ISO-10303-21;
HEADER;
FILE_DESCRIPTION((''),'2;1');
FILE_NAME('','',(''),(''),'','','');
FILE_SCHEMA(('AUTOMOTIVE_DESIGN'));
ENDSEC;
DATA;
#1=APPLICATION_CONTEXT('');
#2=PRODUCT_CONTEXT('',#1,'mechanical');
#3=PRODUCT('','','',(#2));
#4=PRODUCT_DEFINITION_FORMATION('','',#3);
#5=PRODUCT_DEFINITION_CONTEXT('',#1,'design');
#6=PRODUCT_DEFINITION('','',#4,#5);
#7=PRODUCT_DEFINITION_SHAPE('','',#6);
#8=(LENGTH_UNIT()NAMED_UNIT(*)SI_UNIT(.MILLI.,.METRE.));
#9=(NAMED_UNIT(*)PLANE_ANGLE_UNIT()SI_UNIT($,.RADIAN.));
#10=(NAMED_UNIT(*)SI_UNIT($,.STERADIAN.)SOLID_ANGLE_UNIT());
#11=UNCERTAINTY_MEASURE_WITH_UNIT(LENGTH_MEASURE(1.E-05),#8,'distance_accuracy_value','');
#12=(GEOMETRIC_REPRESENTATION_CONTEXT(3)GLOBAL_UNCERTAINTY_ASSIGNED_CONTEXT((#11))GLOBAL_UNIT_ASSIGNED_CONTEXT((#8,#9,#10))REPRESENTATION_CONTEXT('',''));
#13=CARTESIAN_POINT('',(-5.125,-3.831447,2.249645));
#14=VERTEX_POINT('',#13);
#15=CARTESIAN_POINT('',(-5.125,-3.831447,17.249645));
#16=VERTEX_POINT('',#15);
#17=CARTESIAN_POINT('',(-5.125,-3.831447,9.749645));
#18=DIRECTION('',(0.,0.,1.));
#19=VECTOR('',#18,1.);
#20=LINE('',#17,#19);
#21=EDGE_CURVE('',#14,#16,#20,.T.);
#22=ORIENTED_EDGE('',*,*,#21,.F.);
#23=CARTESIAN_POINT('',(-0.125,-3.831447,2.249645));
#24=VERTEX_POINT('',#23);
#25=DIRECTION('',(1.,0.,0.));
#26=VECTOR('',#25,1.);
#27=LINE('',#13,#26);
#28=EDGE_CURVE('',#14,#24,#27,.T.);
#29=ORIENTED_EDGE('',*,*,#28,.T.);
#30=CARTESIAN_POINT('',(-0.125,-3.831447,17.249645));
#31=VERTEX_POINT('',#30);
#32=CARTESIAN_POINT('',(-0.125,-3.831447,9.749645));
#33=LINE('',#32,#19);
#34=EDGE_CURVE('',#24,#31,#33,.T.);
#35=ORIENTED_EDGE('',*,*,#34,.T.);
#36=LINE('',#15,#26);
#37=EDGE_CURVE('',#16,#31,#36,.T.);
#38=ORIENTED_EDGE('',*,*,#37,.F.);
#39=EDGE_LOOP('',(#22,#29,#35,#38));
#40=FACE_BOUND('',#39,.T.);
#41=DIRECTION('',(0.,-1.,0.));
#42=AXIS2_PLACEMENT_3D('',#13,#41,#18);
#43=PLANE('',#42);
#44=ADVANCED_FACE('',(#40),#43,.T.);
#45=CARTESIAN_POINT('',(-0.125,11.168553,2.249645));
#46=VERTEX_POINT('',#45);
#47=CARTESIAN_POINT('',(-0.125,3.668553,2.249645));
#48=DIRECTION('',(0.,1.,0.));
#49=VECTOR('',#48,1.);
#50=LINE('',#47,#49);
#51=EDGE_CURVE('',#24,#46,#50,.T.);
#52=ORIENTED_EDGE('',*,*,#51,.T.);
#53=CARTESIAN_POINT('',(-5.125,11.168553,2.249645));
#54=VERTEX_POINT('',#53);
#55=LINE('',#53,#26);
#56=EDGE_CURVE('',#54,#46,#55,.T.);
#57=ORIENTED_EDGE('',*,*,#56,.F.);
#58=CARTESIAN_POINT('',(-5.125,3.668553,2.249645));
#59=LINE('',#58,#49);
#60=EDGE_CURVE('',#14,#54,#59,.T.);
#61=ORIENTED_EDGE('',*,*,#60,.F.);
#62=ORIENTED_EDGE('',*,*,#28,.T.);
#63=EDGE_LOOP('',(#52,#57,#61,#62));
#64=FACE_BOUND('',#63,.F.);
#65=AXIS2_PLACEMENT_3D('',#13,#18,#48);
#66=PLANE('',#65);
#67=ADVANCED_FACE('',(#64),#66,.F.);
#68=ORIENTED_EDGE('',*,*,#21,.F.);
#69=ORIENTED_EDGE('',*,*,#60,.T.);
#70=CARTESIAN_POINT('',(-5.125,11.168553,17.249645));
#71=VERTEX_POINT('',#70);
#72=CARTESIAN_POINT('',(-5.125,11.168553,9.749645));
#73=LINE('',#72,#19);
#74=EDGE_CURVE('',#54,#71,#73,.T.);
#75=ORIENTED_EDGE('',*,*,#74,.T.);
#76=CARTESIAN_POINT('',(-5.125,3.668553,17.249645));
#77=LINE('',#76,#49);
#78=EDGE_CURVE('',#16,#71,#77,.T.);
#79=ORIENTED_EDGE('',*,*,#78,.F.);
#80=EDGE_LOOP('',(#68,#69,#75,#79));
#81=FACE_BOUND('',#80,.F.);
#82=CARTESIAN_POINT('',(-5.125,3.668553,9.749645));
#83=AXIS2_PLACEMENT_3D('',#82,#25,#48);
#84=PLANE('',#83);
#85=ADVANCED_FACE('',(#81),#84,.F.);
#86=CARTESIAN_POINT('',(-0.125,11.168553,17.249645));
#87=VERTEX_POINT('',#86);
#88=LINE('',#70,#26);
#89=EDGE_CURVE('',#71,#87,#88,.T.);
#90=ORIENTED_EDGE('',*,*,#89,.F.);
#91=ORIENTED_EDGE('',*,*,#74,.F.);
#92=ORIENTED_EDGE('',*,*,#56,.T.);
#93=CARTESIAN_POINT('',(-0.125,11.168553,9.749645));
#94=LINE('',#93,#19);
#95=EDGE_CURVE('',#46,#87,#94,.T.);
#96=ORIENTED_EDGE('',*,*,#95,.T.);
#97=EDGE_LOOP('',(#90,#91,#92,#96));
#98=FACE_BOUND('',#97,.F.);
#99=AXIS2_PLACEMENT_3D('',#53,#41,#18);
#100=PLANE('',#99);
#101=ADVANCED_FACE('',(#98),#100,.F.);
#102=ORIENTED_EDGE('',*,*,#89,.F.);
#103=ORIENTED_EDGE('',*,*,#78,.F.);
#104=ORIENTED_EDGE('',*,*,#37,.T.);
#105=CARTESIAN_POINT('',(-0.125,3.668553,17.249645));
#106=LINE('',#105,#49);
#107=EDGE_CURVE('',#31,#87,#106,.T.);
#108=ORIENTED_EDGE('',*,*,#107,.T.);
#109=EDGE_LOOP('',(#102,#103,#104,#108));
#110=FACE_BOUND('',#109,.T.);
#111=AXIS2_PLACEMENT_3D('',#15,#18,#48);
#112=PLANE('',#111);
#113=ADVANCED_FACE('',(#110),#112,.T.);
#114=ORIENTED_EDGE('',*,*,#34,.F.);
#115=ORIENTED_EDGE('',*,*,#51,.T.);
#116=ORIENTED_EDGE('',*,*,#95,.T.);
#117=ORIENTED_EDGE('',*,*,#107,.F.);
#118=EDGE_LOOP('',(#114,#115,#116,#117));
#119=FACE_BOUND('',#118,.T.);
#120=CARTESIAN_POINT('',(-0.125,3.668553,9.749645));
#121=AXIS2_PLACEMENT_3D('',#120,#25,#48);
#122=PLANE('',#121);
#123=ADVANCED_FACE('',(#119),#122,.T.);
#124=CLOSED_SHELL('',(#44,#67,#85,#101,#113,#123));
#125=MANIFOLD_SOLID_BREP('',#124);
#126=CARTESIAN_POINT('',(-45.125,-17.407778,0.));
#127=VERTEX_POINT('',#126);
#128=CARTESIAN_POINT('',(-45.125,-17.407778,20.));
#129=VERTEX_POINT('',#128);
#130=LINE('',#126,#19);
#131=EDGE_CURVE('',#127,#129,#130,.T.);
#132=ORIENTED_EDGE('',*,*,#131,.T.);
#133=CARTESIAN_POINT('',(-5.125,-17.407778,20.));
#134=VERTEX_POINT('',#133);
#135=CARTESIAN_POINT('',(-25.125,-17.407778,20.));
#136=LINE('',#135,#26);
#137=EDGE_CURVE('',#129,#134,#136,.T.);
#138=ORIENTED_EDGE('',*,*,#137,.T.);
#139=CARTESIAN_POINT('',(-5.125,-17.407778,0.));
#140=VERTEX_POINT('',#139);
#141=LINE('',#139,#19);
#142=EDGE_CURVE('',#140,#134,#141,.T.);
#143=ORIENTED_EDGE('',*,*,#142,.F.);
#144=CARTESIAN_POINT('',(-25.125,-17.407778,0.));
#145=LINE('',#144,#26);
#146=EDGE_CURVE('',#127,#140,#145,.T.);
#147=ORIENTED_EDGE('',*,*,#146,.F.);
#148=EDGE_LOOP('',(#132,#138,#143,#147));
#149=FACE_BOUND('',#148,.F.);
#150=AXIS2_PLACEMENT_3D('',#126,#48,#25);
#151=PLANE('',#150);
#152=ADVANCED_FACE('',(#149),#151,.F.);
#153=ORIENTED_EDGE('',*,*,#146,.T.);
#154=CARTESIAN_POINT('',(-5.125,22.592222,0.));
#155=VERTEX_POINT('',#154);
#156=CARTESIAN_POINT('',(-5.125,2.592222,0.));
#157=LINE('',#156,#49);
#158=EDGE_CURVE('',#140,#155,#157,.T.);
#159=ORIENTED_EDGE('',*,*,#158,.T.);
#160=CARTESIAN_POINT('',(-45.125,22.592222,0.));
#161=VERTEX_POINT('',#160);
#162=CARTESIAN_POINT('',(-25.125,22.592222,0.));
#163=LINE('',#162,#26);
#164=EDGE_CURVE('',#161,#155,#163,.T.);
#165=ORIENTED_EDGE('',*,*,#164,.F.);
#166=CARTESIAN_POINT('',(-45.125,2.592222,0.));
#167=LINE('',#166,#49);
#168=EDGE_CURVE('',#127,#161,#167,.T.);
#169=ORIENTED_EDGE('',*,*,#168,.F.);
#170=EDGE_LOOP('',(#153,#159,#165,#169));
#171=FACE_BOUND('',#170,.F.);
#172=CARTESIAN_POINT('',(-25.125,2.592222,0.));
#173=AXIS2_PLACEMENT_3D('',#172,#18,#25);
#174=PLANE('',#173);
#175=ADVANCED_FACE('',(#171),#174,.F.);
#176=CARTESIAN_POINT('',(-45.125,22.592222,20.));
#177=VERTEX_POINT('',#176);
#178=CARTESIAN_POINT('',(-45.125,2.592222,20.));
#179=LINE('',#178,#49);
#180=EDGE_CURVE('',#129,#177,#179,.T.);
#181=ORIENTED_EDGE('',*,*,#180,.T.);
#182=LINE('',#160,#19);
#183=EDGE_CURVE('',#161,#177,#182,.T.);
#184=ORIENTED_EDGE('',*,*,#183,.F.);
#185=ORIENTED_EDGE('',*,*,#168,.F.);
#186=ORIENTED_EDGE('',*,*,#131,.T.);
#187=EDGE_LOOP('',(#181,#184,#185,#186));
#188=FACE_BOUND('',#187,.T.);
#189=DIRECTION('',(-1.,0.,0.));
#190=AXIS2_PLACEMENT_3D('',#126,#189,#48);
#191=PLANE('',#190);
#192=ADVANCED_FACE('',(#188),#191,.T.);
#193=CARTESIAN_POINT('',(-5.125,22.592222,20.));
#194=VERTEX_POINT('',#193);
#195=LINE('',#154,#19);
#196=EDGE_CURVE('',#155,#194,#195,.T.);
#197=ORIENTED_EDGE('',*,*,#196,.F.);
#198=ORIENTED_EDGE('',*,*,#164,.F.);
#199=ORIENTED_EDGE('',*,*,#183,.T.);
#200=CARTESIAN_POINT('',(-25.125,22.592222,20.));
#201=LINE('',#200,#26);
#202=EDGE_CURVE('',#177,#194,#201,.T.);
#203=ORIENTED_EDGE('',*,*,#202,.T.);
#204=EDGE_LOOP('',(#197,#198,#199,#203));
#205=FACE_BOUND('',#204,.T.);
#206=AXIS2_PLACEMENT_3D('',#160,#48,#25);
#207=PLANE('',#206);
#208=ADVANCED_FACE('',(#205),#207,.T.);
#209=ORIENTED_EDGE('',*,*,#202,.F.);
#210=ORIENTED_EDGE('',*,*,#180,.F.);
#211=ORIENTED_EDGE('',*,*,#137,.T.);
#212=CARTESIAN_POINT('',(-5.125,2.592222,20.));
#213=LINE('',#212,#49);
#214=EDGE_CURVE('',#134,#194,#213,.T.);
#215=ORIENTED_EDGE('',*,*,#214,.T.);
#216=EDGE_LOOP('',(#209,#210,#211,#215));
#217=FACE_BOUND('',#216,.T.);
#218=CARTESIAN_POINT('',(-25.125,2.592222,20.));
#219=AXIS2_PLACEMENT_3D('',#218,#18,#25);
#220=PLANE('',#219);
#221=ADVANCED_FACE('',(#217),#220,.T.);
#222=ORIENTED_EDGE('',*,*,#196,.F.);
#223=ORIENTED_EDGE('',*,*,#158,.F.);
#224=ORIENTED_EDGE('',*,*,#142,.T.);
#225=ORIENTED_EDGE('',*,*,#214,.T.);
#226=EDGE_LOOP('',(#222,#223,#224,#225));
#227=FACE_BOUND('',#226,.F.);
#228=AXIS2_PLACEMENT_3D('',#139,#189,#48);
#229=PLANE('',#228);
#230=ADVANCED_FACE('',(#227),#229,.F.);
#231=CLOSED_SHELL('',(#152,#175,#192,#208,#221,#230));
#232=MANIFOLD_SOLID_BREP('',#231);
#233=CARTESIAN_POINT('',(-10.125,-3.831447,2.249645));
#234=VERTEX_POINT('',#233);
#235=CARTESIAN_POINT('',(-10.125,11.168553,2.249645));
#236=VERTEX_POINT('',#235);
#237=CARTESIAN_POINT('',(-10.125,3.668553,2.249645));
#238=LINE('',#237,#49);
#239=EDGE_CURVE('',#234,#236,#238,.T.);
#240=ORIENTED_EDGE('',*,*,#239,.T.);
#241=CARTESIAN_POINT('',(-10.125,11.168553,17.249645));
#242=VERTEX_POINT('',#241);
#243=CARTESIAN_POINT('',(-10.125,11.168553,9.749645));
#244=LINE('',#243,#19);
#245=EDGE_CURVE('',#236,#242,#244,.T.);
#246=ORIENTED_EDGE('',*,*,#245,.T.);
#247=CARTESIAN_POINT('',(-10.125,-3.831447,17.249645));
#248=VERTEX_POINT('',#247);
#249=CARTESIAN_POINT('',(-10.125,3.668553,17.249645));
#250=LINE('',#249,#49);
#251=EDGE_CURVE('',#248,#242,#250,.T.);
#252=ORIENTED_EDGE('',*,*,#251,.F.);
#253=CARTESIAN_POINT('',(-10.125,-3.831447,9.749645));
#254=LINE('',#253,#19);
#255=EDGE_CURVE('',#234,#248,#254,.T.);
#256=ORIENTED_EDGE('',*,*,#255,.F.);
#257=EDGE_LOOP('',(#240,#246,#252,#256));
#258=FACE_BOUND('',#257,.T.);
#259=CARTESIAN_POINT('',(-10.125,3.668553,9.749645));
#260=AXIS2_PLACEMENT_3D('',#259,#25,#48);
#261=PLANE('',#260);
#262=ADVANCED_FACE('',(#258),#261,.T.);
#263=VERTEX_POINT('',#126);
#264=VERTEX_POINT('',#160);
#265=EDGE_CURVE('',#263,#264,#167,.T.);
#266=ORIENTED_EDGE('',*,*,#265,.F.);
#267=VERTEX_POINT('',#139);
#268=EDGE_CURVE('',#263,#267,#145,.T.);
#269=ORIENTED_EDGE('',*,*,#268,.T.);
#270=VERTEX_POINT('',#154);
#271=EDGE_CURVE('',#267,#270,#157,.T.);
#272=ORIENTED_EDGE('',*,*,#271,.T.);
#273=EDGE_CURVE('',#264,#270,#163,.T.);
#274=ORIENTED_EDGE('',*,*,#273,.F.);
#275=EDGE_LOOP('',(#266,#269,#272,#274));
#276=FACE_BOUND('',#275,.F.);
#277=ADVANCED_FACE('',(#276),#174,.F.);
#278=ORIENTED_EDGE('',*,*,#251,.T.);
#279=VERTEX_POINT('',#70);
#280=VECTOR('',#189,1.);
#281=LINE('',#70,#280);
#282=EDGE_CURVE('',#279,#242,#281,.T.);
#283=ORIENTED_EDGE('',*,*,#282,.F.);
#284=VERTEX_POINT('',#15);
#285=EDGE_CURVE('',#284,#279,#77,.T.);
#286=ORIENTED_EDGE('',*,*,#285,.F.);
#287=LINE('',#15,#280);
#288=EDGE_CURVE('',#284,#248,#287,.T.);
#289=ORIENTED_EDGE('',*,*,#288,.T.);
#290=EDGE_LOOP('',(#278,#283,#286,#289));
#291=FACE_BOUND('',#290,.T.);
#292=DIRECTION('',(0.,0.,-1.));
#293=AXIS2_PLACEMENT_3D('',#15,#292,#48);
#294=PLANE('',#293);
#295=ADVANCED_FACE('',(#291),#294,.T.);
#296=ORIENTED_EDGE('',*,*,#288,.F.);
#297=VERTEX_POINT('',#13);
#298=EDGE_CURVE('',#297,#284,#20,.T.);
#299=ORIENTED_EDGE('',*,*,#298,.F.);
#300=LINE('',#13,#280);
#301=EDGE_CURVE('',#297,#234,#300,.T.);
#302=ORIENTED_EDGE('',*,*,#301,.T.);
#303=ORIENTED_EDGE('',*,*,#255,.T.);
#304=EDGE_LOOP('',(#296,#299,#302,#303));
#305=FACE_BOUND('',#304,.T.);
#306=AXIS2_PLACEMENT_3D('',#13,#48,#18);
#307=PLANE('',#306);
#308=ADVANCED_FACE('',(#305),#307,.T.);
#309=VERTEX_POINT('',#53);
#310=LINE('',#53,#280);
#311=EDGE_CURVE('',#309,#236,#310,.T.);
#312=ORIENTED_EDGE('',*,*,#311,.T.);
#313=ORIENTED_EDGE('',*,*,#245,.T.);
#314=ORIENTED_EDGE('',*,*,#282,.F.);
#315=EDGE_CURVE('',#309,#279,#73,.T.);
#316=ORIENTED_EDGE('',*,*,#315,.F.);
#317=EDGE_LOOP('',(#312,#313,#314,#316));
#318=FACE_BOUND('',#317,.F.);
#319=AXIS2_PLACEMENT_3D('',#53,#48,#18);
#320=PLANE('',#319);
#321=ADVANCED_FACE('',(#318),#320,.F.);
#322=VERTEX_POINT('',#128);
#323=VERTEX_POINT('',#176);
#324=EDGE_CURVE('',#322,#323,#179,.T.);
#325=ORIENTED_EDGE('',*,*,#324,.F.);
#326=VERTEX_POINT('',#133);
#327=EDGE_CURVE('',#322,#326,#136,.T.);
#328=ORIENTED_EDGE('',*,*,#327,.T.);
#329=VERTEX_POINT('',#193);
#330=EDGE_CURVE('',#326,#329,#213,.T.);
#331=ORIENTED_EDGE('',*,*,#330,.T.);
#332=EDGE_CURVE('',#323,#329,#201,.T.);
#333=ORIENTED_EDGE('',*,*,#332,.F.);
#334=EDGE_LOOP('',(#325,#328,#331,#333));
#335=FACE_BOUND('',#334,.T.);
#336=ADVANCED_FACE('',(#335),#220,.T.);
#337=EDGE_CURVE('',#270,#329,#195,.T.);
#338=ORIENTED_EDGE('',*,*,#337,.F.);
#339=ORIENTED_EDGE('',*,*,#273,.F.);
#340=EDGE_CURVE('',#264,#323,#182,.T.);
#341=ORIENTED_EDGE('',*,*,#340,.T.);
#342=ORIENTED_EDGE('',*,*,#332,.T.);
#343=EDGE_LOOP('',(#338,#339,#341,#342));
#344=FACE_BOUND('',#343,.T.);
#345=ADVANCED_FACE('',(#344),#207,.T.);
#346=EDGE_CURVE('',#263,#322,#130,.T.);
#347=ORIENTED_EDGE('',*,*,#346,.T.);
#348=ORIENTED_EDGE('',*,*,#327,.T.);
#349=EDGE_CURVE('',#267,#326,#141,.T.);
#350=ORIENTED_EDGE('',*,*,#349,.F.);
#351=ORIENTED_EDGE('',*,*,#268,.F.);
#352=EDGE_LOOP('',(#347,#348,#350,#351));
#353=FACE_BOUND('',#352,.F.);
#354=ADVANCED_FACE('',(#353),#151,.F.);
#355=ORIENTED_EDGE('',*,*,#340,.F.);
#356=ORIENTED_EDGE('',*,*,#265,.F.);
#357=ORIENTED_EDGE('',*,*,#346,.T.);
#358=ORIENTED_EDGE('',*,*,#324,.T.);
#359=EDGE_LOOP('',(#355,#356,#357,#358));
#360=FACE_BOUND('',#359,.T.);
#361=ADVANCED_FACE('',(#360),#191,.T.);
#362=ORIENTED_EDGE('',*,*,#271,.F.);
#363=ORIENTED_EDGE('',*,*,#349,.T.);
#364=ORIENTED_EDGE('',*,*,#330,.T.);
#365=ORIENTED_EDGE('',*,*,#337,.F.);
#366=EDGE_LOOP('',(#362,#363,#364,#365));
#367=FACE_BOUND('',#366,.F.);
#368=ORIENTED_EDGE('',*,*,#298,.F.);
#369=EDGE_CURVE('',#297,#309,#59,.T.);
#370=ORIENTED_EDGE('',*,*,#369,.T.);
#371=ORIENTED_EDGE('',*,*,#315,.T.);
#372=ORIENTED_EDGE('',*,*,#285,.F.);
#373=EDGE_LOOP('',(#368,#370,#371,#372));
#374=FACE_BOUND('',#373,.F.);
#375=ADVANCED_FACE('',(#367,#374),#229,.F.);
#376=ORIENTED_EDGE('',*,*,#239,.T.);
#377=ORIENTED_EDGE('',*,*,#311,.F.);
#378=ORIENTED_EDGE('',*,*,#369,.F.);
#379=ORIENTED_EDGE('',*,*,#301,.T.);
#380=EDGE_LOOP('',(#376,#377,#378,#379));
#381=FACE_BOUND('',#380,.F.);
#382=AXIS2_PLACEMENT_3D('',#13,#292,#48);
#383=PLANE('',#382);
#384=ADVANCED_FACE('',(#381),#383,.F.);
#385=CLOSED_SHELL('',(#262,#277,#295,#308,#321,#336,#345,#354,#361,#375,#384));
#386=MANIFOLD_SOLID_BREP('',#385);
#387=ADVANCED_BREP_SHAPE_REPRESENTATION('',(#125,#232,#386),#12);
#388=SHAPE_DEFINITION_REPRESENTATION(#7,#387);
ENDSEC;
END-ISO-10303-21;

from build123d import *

# Parameters (mm, degrees)
F0_W     = 40
F0_H     = 40
F1_DEPTH = 20
F2_W     = 15
F2_H     = 15
F4_DEPTH = 5
F7_DEPTH = 5


with BuildPart() as f1:
    # F0 (on Top) → F1 (new body)
    with BuildSketch(Plane.XY):
        with Locations((-25.1250002766, 2.5922219666)):
            Rectangle(F0_W, F0_H)
    extrude(amount=F1_DEPTH)


with BuildPart() as f3_1:
    # F3: copy of F1
    add(f1.part)


with BuildPart() as f4:
    # F2 (on face) → F4 (new body)
    with BuildSketch(Plane.YZ.offset(-5.1250002766)):
        with Locations((3.6685534939, 9.7496453021)):
            Rectangle(F2_W, F2_H)
    extrude(amount=F4_DEPTH)


with BuildPart() as f6_1:
    # F6: copy of F1
    add(f1.part)

    # F2 (on face) → F7 (cut)
    with BuildSketch(Plane.YZ.offset(-5.1250002766)):
        with Locations((3.6685534939, 9.7496453021)):
            Rectangle(F2_W, F2_H)
    extrude(amount=-F7_DEPTH, mode=Mode.SUBTRACT)


solid = Compound([f1.part, f4.part, f6_1.part])
